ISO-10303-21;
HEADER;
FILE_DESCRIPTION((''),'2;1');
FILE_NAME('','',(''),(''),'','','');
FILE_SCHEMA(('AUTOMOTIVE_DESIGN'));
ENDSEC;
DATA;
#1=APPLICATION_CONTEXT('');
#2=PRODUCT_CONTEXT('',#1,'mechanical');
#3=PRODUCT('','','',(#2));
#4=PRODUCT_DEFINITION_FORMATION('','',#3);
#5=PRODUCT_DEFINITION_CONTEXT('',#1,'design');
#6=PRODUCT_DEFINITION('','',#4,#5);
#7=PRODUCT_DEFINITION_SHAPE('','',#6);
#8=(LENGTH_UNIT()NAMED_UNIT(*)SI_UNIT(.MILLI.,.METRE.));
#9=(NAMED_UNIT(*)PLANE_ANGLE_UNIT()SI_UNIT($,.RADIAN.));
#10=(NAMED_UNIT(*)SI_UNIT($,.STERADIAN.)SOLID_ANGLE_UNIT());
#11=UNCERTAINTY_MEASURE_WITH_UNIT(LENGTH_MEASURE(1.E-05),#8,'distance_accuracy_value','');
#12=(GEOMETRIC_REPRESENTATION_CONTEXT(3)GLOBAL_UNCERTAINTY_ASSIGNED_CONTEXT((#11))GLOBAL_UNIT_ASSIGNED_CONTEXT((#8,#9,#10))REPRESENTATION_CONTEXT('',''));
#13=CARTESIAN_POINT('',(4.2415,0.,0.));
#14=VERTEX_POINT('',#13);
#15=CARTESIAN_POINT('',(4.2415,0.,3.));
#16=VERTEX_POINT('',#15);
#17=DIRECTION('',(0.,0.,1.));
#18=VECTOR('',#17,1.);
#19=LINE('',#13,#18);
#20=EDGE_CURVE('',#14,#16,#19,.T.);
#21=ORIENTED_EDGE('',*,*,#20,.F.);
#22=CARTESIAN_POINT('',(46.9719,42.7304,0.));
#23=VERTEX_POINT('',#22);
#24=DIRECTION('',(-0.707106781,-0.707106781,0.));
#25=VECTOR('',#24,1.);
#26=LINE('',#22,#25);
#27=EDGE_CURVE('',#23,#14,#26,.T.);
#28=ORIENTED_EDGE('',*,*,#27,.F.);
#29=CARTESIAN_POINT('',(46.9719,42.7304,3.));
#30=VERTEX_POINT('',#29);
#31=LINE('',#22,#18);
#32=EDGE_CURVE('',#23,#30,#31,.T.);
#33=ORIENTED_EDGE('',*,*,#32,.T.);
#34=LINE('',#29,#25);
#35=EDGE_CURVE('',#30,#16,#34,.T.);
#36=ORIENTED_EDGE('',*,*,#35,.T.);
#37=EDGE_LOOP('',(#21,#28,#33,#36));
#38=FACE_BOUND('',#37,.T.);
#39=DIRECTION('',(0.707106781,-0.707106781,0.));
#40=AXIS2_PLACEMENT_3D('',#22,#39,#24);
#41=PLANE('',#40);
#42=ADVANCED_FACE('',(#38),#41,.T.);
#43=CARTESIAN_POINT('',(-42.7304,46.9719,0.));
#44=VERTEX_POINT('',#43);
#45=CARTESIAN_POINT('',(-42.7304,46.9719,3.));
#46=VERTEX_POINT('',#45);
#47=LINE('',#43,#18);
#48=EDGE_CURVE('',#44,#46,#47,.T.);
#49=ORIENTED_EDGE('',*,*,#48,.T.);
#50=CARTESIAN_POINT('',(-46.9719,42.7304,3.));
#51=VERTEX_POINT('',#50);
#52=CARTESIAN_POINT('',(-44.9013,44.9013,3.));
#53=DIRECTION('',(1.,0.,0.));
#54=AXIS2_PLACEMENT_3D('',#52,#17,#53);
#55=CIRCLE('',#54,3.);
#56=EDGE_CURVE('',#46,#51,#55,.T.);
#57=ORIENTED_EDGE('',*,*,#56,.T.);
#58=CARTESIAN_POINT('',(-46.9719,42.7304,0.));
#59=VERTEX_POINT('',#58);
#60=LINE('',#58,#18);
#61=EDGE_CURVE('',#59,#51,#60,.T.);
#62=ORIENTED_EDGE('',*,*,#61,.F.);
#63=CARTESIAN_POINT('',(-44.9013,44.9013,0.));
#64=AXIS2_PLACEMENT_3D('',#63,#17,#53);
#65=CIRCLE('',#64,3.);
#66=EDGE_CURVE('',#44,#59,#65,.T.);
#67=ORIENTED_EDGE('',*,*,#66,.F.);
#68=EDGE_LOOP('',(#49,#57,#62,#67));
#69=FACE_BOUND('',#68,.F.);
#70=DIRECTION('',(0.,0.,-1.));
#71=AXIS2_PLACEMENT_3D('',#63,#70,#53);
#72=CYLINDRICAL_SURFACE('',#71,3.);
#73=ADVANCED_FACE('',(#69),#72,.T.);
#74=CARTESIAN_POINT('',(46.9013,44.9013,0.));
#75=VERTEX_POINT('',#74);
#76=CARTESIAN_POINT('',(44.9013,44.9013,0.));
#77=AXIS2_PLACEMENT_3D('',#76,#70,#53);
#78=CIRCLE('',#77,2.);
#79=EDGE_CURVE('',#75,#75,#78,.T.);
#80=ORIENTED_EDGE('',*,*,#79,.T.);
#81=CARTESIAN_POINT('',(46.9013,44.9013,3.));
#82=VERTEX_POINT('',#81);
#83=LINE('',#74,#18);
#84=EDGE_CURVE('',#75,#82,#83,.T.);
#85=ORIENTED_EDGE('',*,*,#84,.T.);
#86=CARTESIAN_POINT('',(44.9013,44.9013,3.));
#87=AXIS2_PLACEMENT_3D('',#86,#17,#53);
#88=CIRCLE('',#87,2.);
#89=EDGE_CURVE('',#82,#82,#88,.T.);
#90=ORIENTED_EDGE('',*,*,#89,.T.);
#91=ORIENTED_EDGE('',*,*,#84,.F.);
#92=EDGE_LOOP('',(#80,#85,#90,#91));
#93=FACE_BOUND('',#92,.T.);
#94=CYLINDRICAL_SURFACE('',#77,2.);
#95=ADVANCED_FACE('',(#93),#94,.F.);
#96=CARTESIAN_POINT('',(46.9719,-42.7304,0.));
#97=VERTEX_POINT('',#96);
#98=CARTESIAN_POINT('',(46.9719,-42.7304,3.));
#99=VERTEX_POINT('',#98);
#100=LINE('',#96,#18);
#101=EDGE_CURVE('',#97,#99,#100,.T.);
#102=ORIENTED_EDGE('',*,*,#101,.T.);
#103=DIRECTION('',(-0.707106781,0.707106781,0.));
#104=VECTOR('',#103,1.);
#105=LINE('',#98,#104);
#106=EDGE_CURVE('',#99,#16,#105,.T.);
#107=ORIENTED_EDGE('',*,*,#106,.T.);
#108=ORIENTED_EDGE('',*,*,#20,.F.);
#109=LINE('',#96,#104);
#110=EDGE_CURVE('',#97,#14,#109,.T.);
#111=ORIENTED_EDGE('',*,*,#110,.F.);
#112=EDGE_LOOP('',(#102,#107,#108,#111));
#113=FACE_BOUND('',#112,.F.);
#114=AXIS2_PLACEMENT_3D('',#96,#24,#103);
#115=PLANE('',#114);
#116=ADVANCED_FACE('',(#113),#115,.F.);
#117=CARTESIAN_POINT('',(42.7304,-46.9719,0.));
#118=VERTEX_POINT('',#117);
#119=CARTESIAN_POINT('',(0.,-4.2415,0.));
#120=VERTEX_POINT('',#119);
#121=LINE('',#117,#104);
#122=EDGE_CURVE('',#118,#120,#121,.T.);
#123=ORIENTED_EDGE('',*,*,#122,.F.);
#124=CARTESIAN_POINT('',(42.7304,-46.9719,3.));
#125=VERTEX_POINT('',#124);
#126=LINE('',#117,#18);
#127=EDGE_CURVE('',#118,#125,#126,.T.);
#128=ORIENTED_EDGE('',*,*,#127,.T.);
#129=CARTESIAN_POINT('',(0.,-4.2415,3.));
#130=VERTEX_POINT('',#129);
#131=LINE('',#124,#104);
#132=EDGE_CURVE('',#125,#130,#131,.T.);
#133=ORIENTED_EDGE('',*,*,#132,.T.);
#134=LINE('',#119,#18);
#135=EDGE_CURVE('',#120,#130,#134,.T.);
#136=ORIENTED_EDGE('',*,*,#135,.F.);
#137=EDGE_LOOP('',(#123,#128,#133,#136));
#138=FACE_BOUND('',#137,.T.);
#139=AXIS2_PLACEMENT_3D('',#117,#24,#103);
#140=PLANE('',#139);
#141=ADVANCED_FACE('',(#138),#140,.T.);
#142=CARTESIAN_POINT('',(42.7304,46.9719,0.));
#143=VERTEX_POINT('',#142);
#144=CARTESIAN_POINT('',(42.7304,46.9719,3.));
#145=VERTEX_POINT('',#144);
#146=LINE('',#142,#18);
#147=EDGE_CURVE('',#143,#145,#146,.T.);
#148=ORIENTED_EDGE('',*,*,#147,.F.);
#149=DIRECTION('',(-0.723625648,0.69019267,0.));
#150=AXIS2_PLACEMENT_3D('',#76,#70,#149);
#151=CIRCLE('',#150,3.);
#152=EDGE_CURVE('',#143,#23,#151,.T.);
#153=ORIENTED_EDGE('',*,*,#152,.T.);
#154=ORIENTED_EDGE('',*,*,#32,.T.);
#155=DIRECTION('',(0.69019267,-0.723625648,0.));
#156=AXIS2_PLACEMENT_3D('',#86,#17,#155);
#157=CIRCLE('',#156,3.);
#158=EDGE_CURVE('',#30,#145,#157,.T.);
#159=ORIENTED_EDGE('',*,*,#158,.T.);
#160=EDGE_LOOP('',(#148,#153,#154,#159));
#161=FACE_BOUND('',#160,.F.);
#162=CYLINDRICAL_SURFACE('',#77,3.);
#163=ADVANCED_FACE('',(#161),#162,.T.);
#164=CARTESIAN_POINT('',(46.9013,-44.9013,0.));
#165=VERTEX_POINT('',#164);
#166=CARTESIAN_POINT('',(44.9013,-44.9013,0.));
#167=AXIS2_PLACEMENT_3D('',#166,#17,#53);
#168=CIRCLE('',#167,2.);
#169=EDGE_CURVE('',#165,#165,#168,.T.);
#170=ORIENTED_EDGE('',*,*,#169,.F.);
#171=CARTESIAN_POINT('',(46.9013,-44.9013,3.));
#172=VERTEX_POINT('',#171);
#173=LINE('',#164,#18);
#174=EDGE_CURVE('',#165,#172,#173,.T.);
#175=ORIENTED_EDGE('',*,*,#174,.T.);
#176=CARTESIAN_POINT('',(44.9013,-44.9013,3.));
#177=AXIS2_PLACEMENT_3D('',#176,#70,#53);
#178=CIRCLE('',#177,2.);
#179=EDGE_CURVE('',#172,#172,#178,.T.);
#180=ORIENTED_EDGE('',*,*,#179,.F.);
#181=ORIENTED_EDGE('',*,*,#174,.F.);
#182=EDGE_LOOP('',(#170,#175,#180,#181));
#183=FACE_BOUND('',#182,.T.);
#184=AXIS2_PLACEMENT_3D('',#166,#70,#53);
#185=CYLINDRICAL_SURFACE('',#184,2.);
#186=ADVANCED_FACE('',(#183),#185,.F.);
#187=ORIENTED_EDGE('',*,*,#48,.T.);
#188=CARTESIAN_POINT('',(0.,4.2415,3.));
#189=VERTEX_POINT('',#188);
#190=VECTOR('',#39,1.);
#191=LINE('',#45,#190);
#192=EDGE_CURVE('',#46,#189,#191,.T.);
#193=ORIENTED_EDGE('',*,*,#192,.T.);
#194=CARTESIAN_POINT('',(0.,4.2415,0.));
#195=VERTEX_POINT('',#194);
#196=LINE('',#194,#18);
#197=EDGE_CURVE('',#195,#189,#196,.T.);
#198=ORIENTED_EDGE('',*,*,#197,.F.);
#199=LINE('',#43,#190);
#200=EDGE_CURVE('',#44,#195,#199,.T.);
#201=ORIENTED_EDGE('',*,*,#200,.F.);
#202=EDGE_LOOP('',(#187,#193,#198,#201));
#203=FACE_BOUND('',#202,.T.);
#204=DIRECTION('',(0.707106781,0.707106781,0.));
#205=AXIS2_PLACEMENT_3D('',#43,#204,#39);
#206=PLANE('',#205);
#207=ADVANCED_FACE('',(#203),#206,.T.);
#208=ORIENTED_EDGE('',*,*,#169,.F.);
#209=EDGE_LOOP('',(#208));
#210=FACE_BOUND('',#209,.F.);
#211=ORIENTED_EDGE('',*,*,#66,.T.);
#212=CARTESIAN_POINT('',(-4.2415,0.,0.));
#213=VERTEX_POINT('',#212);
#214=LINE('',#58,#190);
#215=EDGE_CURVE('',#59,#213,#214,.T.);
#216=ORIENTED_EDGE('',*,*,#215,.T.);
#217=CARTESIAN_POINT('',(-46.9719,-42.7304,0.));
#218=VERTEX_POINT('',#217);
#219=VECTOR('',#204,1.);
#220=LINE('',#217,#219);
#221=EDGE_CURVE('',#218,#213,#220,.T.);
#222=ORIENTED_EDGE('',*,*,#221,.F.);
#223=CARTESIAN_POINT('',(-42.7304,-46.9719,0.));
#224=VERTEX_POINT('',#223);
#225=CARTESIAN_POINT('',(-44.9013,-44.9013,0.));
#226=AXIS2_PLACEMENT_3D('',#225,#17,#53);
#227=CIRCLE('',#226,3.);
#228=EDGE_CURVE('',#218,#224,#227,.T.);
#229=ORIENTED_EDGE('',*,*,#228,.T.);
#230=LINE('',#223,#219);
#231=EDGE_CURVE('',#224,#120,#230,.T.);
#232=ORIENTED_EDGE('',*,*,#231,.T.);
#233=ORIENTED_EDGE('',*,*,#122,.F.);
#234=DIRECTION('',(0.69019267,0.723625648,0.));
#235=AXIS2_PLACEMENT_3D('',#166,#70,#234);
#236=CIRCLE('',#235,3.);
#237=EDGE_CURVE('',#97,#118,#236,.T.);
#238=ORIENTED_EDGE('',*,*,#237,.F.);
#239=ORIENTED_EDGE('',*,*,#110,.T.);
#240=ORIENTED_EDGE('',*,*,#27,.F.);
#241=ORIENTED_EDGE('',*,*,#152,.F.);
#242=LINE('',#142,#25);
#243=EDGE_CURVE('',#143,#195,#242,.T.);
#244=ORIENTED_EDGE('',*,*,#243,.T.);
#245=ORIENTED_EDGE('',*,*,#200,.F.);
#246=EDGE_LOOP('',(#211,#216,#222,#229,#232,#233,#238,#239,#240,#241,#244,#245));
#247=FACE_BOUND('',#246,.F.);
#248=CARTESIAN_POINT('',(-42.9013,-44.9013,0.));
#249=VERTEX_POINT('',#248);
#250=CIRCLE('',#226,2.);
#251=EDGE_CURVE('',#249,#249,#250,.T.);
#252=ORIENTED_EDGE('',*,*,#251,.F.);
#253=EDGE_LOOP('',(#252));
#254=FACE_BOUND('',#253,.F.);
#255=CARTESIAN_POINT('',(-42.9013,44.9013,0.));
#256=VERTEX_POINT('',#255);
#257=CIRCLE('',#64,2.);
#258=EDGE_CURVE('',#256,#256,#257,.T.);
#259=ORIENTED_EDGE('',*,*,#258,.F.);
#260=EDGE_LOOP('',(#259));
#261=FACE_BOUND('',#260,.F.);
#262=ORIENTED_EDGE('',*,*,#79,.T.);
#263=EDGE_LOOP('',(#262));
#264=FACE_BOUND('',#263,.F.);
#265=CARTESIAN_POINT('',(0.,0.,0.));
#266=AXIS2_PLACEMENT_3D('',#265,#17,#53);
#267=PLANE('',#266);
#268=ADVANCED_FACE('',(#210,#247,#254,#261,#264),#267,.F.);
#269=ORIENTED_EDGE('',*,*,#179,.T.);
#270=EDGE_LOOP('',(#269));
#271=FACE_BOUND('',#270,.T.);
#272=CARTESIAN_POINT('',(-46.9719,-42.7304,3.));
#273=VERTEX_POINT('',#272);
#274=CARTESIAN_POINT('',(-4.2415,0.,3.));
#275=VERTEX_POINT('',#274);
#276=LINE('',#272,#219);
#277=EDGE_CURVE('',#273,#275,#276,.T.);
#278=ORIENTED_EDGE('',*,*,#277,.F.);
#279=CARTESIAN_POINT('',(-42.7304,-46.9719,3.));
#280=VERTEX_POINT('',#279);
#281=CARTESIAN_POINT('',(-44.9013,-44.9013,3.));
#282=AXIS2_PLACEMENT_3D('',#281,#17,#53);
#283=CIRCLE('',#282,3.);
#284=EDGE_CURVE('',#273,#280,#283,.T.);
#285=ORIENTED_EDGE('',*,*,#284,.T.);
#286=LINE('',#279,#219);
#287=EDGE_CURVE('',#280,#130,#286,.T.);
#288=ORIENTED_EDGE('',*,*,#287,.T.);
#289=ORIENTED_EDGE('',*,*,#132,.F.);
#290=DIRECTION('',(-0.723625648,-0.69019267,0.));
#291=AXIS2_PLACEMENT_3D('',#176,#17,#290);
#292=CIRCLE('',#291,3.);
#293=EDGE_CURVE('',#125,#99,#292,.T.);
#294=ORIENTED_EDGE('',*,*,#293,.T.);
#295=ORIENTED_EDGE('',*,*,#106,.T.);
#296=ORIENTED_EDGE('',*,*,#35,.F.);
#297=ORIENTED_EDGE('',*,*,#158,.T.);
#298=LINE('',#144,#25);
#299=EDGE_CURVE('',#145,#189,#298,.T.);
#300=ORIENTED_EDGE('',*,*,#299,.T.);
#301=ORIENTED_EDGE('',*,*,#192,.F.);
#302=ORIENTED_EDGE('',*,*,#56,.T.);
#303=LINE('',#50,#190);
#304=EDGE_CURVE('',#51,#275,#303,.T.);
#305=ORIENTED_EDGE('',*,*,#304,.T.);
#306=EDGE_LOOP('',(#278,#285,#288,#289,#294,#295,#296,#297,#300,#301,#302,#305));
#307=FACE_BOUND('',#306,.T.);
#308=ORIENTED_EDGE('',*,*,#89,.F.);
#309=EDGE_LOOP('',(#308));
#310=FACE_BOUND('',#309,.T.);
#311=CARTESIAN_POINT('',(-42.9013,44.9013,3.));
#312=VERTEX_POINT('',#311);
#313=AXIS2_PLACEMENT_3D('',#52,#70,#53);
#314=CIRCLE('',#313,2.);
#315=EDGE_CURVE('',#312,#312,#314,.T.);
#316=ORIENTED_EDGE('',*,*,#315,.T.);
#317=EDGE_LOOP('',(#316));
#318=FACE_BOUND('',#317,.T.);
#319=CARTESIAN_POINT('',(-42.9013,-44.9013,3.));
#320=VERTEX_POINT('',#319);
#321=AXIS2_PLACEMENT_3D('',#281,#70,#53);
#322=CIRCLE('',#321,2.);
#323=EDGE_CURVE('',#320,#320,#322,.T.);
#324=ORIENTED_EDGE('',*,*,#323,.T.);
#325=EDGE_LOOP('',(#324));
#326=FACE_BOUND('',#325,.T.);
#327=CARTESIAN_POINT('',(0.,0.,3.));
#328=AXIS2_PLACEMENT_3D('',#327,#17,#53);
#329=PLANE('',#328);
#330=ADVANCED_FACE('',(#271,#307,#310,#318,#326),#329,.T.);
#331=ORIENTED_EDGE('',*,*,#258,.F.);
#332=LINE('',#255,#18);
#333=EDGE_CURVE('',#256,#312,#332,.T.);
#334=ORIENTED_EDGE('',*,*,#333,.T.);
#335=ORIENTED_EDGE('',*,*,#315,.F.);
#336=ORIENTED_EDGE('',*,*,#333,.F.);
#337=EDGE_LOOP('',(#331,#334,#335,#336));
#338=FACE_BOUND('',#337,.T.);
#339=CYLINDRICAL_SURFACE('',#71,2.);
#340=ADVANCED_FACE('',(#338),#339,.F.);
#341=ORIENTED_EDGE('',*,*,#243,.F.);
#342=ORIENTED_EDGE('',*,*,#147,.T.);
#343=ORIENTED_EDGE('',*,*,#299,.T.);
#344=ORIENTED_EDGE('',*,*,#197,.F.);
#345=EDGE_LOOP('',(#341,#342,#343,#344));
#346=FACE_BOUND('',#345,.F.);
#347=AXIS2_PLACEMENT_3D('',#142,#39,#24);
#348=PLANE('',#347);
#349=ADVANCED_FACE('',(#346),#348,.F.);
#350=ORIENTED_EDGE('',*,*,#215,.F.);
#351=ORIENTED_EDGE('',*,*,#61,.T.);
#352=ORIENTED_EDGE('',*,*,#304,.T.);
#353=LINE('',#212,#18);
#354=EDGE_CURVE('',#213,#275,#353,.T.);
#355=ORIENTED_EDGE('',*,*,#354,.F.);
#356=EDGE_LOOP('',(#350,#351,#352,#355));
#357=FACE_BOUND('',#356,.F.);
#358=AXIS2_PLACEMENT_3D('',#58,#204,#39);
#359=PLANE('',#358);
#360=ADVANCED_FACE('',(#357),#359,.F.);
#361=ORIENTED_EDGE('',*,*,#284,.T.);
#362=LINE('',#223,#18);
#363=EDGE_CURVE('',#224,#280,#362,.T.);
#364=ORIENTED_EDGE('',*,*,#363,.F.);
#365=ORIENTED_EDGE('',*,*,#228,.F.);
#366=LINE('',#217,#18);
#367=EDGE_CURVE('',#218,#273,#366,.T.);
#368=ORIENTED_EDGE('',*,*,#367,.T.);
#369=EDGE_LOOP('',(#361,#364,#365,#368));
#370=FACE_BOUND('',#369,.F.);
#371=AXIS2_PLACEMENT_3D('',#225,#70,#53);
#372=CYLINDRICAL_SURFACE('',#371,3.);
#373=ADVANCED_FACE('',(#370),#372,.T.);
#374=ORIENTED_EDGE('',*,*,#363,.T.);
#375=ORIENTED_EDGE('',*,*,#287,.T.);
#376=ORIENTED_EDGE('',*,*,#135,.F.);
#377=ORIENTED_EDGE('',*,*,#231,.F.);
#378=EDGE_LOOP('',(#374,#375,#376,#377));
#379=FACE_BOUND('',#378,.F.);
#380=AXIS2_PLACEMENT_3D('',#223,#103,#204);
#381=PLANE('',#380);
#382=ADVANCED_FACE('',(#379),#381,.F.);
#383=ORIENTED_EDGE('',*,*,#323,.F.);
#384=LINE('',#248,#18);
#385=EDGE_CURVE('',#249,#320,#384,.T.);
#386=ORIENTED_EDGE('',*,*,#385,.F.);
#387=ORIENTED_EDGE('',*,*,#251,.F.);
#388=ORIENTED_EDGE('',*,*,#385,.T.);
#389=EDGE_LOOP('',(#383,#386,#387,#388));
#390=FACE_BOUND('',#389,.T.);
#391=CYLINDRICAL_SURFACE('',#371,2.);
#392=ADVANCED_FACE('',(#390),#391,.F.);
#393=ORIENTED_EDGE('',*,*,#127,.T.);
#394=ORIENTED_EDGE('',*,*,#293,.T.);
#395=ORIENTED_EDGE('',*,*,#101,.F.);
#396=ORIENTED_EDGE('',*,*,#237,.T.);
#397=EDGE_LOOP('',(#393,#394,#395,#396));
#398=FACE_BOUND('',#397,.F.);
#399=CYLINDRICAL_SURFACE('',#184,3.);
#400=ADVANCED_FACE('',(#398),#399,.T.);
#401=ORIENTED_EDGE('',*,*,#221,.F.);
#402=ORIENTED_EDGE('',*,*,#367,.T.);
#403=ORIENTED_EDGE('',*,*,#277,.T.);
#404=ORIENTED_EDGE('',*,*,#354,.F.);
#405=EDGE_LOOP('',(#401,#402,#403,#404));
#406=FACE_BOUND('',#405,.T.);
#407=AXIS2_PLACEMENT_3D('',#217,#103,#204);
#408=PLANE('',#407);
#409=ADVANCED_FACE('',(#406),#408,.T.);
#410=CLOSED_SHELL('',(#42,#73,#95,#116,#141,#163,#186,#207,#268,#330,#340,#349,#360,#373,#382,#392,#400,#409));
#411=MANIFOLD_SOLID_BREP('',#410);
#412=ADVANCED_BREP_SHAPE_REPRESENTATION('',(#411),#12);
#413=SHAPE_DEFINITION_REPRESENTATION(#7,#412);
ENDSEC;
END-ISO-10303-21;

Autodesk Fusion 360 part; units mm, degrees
sketch "Szkic1" plane through (0, 0, 0) normal (0, 0, 1) x (1, 0, 0)
  circle A0 centre (0, 0) radius 63.5
  line L0 (0, 4.2415) -> (0, 63.5)
  line L1 (4.2415, 0) -> (63.5, 0)
  line L2 (42.78, 42.78) -> (44.9013, 44.9013)
  line L3 (42.78, -42.78) -> (44.9013, -44.9013)
  line L4 (-42.78, -42.78) -> (-44.9013, -44.9013)
  circle A1 centre (44.9013, 44.9013) radius 3
  line L5 (46.9719, 42.7304) -> (4.2415, 0)
  line L6 (42.7304, 46.9719) -> (0, 4.2415)
  line L7 (-42.7304, 46.9719) -> (0, 4.2415)
  line L8 (-46.9719, 42.7304) -> (-4.2415, 0)
  circle A2 centre (-44.9013, 44.9013) radius 3
  line L9 (46.9719, -42.7304) -> (4.2415, 0)
  line L10 (42.7304, -46.9719) -> (0, -4.2415)
  circle A3 centre (44.9013, -44.9013) radius 3
  line L11 (-42.7304, -46.9719) -> (0, -4.2415)
  line L12 (-46.9719, -42.7304) -> (-4.2415, 0)
  circle A4 centre (-44.9013, -44.9013) radius 3
  circle A5 centre (-44.9013, 44.9013) radius 2
  circle A6 centre (44.9013, 44.9013) radius 2
  circle A7 centre (44.9013, -44.9013) radius 2
  circle A8 centre (-44.9013, -44.9013) radius 2
  dimension "d2" = 135
  dimension "d3" = 6
  dimension "d4" = 4
  dimension "d5" = 4
  dimension "d6" = 4
  dimension "d7" = 4
extrude "Wyciągnięcie proste1" add sketch "Szkic1" along normal blind 3 contours A0 L2 A1 A6 | A1 L5 L6 L7 L8 A2 L9 L10 A3 L11 L12 A4 | A0 A1 A6 | A0 A3 A7 | A0 L3 A3 A7 | A0 L2 A1 A6 | A0 L3 A3 A7 | A0 A4 A8 | A0 L4 A4 A8 | A0 A2 A5 | A0 A2 A5 | A0 L4 A4 A8
equation "d2 = 90 deg + 45 deg"
